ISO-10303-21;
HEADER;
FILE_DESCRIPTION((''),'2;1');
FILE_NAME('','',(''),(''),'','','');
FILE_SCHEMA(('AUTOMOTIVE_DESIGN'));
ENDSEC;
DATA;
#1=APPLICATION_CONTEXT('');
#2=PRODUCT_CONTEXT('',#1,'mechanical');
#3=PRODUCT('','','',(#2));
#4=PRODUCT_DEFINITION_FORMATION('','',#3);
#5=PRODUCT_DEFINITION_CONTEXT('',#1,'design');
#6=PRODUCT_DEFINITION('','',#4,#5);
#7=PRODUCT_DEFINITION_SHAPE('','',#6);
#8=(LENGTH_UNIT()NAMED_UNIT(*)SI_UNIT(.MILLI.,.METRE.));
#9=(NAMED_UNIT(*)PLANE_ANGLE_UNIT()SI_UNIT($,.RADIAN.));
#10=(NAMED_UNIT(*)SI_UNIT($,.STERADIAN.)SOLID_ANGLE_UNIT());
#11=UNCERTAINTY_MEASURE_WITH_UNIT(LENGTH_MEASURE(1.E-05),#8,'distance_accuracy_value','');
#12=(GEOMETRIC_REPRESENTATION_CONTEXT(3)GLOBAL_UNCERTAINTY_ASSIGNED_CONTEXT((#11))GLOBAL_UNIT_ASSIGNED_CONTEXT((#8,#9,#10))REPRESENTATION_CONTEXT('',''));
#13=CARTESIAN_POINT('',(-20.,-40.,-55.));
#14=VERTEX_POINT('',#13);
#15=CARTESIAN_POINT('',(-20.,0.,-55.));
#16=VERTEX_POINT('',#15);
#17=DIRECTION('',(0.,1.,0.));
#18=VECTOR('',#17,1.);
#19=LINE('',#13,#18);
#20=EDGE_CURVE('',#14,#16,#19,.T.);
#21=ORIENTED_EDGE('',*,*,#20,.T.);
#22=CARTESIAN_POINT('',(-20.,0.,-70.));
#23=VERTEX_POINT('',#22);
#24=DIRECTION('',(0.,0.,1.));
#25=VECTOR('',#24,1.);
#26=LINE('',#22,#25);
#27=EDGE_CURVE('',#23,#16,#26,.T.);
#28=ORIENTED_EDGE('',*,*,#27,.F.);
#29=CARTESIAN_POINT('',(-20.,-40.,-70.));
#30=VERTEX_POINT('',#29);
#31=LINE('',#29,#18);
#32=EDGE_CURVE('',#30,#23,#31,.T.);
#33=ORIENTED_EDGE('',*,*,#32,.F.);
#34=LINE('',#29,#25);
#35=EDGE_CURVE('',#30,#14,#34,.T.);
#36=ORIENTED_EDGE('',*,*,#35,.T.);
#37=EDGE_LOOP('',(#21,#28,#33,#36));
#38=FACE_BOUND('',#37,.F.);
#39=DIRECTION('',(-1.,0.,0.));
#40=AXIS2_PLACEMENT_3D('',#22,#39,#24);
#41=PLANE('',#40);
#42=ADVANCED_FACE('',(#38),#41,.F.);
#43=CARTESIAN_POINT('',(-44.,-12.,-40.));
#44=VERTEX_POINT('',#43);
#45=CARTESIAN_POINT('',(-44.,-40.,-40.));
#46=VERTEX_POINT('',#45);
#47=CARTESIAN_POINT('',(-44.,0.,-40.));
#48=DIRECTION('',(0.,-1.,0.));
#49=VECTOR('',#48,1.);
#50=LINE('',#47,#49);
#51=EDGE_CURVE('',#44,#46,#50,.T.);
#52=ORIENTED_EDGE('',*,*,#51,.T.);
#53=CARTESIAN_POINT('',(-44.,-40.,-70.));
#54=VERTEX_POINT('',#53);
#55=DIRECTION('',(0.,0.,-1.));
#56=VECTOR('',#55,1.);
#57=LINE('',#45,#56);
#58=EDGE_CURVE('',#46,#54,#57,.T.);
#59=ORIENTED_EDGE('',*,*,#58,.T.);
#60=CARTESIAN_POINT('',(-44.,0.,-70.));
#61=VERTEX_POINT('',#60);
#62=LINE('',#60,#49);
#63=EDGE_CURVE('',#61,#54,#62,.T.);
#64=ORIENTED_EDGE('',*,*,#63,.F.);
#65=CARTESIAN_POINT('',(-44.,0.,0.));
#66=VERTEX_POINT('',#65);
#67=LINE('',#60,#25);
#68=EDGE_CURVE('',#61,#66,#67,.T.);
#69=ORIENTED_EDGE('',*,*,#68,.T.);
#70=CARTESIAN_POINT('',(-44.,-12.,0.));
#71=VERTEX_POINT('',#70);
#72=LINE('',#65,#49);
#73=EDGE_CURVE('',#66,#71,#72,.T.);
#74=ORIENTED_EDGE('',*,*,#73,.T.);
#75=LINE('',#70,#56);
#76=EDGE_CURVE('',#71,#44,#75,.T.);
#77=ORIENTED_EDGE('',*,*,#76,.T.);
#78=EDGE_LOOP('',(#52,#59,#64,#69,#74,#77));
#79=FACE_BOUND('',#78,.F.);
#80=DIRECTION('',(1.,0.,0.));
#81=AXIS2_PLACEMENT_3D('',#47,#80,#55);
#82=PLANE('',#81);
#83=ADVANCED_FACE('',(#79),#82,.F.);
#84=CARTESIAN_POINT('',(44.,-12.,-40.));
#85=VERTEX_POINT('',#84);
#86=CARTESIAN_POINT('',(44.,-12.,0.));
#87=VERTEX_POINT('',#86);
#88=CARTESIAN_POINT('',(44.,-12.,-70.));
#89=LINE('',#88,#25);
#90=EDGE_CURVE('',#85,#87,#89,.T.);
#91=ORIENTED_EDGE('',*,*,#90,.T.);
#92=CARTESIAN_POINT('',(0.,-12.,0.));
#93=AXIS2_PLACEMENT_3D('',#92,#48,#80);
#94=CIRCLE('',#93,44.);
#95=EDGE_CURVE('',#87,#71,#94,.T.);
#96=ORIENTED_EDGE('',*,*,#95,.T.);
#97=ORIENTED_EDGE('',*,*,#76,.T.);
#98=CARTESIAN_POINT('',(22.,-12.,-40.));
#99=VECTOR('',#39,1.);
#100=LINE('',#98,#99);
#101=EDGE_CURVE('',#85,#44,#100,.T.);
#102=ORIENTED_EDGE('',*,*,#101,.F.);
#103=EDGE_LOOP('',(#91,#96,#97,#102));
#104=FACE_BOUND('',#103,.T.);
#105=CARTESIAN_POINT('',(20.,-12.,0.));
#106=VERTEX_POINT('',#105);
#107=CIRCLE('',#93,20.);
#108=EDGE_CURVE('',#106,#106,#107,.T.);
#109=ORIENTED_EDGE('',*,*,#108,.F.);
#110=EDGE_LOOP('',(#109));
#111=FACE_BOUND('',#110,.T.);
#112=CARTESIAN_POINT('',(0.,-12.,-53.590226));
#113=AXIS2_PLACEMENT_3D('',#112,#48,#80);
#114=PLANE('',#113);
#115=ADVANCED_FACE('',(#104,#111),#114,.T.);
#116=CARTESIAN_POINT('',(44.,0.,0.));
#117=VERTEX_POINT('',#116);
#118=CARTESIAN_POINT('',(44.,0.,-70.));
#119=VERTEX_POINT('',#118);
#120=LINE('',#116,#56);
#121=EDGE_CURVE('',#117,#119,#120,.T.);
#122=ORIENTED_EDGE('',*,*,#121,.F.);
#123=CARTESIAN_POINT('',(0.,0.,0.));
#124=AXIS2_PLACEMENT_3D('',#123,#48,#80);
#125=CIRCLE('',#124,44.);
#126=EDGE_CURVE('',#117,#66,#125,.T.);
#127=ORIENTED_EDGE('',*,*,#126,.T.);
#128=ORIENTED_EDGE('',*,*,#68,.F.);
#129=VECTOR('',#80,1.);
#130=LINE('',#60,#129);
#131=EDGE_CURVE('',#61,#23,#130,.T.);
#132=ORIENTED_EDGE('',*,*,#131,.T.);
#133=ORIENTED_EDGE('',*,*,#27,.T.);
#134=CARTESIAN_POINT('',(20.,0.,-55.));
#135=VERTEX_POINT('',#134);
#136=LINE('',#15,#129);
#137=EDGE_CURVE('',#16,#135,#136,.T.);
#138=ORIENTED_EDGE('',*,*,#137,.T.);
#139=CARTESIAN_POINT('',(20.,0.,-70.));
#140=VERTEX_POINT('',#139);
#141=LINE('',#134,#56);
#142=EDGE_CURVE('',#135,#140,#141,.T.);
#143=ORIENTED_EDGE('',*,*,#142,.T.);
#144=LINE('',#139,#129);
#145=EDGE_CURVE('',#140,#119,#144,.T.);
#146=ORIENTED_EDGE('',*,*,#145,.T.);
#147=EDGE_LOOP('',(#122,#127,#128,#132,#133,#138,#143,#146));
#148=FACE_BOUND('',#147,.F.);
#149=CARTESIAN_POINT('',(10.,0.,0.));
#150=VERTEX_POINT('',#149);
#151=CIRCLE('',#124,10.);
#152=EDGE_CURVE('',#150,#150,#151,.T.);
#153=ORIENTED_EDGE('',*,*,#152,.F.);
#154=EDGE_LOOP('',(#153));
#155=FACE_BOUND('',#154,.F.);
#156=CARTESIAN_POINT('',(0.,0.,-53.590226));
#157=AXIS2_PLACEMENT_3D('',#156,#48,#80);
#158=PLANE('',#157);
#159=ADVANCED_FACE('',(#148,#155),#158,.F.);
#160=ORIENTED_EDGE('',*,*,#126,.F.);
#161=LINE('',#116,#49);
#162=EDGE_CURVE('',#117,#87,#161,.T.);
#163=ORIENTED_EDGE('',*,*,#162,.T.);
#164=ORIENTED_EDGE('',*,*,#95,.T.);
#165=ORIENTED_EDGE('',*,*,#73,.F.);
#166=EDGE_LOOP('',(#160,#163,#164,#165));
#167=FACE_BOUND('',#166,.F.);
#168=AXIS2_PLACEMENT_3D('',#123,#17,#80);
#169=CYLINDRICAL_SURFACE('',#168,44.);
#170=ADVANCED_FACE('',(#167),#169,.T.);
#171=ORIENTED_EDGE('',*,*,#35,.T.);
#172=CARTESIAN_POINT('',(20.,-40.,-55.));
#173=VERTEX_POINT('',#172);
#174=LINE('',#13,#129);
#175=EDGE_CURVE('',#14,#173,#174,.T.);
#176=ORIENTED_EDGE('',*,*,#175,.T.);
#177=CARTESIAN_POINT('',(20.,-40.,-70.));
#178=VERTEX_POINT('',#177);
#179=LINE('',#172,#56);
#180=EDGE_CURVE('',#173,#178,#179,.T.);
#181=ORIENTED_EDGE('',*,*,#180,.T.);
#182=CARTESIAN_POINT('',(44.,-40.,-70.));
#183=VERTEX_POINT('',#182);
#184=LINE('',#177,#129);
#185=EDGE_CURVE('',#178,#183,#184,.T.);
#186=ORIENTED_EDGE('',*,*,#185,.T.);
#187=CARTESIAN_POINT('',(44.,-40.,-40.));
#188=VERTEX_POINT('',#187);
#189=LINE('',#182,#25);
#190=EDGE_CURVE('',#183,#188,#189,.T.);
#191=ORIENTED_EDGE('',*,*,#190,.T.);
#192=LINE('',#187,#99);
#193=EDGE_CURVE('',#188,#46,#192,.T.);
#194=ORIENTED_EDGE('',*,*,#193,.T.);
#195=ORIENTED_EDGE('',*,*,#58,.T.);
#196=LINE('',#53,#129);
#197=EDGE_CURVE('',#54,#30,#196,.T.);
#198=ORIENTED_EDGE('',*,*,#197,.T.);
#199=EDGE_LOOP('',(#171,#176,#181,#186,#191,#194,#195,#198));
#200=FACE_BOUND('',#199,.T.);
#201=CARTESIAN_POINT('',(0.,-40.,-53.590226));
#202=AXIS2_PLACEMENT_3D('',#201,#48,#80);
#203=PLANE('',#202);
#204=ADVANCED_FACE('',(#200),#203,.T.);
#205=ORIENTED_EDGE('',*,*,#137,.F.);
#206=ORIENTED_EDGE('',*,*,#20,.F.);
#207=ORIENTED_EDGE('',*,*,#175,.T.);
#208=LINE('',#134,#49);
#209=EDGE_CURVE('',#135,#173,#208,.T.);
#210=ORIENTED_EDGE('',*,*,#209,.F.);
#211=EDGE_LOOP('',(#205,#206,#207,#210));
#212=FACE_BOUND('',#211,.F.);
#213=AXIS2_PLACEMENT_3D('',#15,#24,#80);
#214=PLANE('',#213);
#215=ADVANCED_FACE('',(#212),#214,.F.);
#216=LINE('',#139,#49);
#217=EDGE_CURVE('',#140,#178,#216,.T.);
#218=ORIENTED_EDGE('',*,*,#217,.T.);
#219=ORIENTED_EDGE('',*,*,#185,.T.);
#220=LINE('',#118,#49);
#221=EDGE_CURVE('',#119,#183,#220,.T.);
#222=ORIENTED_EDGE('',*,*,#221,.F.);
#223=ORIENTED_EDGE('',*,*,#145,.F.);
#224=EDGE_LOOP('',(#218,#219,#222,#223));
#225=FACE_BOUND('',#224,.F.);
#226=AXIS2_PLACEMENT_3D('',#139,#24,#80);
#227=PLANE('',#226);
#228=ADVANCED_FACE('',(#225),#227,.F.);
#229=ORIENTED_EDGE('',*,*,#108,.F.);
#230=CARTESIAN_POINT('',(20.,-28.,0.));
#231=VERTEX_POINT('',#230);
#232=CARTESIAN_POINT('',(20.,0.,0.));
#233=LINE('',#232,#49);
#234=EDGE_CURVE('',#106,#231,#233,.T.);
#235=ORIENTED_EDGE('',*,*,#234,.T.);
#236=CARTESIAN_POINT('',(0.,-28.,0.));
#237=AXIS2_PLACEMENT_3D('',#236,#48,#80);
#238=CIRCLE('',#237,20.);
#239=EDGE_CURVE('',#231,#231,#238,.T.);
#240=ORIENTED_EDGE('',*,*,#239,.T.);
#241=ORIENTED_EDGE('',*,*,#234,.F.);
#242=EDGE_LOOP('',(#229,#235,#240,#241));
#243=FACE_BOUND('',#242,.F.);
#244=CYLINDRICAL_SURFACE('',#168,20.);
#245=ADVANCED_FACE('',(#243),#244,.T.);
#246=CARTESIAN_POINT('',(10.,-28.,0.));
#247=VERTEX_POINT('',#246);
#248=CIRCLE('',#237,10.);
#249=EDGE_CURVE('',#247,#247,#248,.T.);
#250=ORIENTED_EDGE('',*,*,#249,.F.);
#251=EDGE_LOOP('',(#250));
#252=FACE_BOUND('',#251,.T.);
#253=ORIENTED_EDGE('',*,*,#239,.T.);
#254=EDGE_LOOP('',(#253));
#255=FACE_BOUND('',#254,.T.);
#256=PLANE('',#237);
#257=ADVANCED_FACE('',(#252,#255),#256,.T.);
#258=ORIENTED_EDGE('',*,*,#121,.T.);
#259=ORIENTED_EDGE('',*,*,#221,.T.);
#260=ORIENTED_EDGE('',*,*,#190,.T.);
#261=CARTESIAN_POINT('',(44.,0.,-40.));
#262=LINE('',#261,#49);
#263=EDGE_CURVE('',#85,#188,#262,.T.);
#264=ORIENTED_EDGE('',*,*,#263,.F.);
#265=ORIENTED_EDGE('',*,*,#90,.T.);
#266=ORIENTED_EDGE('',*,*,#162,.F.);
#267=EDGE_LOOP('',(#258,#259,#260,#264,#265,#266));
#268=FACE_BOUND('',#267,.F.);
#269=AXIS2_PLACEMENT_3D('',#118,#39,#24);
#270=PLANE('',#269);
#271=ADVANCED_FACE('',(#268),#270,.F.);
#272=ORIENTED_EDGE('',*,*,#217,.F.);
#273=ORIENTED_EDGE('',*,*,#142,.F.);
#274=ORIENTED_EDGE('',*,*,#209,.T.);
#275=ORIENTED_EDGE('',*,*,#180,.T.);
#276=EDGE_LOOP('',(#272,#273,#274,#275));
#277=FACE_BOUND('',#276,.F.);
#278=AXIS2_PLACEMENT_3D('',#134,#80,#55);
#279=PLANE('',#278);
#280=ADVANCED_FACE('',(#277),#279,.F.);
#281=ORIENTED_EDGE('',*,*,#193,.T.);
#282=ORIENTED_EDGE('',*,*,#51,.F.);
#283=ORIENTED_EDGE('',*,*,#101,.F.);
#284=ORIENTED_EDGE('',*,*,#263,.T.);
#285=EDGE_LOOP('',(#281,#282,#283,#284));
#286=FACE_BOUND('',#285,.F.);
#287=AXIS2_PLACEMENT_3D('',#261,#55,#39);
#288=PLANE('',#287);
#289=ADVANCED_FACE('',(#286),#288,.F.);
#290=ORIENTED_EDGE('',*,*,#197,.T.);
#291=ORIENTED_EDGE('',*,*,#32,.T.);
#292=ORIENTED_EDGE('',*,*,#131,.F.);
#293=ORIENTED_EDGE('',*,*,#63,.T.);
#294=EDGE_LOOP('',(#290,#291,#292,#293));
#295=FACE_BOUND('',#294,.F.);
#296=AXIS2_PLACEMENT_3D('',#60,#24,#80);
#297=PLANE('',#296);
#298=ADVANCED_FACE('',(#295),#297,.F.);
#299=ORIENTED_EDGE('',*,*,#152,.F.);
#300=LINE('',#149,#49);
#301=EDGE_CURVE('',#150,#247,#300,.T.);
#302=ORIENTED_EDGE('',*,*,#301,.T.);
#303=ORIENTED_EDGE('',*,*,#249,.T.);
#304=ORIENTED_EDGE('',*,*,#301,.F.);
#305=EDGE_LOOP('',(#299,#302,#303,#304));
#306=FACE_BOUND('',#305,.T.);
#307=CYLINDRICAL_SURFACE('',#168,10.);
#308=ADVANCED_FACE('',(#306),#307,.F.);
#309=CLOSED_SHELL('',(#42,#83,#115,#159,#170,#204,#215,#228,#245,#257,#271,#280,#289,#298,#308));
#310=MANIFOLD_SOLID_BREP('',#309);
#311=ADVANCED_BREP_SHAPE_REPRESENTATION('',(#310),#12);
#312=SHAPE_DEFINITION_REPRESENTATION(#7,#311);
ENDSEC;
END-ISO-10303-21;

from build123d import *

# Parameters (mm, degrees)
F1_DEPTH = 40
F0_R     = 20
F2_DEPTH = 12
F0_R_2   = 10
F3_DEPTH = 28


with BuildPart() as f1:
    # F0 (on Front) → F1 (new body)
    with BuildSketch(Plane.XZ):
        Polygon((-20, -55), (0, -55), (20, -55), (20, -70), (44, -70), (44, -40), (0, -40), (-44, -40), (-44, -70), (-20, -70), align=None)
    extrude(amount=F1_DEPTH)

    # F0 (on Front) → F2 (join)
    with BuildSketch(Plane.XZ):
        Polygon((-20, -55), (0, -55), (20, -55), (20, -70), (44, -70), (44, -40), (0, -40), (-44, -40), (-44, -70), (-20, -70), align=None)
        with BuildLine():
            Line((-44, 0), (-44, -40))
            Line((-44, -40), (0, -40))
            Line((0, -40), (44, -40))
            Line((44, -40), (44, 0))
            ThreePointArc((44, 0), (0, 44), (-44, 0))
        make_face()
        Circle(F0_R, mode=Mode.SUBTRACT)
    extrude(amount=F2_DEPTH)

    # F0 (on Front) → F3 (join)
    with BuildSketch(Plane.XZ):
        Circle(F0_R)
        Circle(F0_R_2, mode=Mode.SUBTRACT)
    extrude(amount=F3_DEPTH)


solid = f1.part
